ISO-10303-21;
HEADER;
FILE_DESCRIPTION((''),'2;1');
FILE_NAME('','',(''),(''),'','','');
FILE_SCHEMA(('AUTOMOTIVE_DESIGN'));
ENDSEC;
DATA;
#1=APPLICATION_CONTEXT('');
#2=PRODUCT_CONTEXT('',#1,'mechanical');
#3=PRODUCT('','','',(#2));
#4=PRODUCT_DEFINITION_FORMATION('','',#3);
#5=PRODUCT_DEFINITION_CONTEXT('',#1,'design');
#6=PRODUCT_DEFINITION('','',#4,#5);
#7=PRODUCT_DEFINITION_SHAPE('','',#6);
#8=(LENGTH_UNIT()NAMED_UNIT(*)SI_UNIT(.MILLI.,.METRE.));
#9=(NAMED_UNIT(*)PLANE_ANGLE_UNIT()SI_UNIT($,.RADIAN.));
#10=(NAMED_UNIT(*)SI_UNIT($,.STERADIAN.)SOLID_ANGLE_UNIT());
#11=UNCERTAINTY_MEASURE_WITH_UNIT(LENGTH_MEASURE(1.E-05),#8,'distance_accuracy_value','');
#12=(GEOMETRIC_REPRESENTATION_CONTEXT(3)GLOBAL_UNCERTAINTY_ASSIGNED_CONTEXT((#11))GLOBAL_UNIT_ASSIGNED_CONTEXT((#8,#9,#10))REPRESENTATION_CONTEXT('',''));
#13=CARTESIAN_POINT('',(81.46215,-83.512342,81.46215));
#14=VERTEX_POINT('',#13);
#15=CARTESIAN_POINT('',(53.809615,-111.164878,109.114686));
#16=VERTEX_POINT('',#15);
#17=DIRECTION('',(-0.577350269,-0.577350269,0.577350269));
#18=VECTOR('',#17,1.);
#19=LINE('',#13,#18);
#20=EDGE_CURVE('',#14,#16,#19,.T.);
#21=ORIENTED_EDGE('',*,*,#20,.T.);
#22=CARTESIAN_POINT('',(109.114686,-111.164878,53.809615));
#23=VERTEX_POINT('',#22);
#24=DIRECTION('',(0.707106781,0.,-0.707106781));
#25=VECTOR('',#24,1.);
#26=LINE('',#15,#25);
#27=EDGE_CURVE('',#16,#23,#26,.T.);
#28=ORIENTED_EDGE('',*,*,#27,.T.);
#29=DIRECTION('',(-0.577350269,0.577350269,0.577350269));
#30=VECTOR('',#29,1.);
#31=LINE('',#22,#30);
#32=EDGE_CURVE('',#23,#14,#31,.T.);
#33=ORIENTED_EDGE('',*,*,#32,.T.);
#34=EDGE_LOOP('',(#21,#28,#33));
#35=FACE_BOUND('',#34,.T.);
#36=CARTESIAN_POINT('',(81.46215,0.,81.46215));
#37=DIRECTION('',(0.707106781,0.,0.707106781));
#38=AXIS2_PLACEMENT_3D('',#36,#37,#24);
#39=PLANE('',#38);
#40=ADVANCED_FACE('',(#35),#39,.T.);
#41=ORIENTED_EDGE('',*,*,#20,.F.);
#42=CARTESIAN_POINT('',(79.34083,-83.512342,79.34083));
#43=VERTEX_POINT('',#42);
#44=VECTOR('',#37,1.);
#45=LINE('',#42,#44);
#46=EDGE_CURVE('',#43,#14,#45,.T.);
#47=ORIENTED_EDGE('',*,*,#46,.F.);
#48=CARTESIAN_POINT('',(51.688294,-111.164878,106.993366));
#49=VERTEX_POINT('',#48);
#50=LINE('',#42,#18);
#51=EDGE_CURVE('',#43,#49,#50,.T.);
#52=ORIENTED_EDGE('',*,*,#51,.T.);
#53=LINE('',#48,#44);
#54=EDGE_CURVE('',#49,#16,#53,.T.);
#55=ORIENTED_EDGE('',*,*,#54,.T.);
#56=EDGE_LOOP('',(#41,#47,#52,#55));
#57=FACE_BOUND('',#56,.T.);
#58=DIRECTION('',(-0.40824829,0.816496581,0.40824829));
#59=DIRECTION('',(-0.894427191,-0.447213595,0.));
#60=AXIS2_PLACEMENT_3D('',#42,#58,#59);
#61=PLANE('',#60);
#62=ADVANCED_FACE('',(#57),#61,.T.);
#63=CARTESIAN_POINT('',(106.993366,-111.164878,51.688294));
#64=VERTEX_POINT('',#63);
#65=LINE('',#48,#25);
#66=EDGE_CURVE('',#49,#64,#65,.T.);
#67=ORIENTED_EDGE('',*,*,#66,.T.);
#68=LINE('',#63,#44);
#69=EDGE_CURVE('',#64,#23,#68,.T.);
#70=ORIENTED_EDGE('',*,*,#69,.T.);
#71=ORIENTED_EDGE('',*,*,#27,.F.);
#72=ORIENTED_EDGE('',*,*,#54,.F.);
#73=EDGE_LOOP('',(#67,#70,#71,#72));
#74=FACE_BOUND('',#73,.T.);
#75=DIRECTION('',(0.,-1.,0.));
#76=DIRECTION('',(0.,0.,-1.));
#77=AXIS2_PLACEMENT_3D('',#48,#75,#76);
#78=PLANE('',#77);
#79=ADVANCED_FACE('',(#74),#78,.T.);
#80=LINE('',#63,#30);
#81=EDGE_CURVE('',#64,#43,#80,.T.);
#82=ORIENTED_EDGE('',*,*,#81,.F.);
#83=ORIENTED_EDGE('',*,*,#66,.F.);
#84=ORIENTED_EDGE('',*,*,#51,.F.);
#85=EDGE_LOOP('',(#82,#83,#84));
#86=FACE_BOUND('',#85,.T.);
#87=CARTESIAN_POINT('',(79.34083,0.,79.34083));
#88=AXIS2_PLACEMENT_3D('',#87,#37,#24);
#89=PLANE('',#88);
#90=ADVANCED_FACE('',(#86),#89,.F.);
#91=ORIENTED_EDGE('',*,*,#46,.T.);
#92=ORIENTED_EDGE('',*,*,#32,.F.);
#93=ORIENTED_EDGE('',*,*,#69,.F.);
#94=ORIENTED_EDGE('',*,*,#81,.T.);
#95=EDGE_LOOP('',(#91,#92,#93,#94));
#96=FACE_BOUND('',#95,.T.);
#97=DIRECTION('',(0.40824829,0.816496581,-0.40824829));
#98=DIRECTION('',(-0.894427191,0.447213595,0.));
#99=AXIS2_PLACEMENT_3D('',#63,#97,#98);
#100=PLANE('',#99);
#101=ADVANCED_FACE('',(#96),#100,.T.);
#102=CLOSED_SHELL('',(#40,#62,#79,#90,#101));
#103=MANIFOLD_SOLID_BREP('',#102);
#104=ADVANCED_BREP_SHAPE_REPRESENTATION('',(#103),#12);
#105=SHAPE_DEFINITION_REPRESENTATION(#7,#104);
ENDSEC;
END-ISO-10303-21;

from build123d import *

# Parameters (mm, degrees)
BOSS_EXTRUDE1_DEPTH = 1.5


with BuildPart() as part:
    # Sketch1 → Boss-Extrude1 (new body, symmetric)
    with BuildSketch(Plane(origin=(80.401490288, 0, 80.401490288), x_dir=(0.707106781, 0, -0.707106781), z_dir=(0.707106781, 0, 0.707106781))):
        Polygon((0, -83.512342261), (-39.106591076, -111.164878), (39.106591076, -111.164878), align=None)
    extrude(amount=BOSS_EXTRUDE1_DEPTH, both=True)


solid = part.part
